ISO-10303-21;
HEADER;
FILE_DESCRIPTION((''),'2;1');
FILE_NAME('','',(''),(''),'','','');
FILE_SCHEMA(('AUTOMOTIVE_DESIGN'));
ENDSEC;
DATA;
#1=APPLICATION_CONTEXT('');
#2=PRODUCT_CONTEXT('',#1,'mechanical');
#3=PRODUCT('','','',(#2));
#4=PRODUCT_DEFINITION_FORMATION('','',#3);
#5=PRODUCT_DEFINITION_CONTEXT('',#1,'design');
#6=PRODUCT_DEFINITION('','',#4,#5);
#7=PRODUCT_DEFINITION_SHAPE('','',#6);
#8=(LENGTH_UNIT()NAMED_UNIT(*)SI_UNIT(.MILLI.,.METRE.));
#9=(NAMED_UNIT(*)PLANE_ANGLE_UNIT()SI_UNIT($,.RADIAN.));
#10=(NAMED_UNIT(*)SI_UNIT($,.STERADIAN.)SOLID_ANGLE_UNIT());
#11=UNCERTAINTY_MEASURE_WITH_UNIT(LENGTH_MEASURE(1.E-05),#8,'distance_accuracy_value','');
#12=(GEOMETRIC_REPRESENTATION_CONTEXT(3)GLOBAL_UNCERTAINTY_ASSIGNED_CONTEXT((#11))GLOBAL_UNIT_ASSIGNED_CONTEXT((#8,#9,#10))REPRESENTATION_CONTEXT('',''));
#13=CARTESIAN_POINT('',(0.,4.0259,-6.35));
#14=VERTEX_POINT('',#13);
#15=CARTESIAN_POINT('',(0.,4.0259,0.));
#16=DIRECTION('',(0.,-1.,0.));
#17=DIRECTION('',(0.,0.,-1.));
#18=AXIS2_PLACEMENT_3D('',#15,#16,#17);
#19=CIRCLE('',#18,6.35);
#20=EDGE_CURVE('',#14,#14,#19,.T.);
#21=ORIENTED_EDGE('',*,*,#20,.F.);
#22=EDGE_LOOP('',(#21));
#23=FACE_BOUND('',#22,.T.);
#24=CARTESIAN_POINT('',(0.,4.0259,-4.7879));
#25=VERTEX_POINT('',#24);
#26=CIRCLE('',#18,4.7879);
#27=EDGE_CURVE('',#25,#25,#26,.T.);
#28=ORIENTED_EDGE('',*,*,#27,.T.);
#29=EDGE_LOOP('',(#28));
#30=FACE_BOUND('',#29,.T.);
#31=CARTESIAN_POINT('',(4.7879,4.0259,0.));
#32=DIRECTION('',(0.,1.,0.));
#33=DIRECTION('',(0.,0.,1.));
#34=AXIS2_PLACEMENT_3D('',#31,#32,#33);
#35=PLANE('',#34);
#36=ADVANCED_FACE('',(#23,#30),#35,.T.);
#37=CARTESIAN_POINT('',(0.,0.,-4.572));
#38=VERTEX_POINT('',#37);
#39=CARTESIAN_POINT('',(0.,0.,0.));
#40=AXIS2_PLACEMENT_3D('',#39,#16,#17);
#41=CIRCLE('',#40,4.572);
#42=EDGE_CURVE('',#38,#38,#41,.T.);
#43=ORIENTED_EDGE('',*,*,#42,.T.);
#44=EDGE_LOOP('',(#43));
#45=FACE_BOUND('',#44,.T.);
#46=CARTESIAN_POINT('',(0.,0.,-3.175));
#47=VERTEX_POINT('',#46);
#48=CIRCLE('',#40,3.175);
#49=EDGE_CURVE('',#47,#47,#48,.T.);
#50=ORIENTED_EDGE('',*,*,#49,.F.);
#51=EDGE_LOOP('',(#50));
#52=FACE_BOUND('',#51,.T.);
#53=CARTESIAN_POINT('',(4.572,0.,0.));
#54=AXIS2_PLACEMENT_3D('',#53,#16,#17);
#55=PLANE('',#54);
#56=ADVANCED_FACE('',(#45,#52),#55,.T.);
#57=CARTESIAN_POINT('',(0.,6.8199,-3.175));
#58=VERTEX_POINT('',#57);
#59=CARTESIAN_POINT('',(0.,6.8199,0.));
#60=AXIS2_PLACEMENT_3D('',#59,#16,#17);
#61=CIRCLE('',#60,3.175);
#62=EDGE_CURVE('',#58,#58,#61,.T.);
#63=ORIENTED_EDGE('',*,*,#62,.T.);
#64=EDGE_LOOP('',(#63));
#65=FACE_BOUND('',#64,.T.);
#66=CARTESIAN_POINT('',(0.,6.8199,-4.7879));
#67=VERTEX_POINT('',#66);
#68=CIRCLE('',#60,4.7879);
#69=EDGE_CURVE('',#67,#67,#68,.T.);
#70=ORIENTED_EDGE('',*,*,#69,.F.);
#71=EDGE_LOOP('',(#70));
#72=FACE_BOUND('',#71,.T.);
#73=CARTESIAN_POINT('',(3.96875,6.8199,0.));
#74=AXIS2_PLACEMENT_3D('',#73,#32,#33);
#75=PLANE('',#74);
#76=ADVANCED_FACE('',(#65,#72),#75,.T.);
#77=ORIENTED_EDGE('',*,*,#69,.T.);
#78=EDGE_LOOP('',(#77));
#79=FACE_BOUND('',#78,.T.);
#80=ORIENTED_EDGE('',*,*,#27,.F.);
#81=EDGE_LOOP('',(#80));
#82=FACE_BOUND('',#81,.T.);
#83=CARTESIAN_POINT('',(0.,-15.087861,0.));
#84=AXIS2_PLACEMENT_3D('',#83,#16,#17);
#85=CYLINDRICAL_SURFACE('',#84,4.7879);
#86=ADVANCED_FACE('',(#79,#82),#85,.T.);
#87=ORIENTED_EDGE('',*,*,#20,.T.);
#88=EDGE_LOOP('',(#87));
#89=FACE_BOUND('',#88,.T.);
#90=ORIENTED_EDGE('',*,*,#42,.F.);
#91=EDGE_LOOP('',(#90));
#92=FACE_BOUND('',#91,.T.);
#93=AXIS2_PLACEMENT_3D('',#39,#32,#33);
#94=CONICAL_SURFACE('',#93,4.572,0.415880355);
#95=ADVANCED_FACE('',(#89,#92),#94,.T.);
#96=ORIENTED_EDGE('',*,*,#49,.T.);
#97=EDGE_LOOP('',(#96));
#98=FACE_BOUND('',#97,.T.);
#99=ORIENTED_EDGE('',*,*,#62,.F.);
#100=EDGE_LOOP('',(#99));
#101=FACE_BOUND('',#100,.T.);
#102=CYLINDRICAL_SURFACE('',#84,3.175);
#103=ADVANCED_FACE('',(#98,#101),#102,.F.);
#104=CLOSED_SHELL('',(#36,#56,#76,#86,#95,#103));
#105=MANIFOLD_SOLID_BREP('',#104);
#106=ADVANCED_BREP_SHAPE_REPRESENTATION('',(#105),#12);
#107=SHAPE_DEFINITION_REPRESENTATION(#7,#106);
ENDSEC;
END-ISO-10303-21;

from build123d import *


with BuildPart() as part:
    # Sketch1 → Revolve1 (revolve)
    with BuildSketch(Plane.XY):
        Polygon((3.175, 0), (3.175, 6.8199), (3.96875, 6.8199), (4.7879, 6.8199), (4.7879, 4.0259), (6.35, 4.0259), (4.572, 0), align=None)
    revolve(axis=Axis((0, -15.087860977, 0), (0, 1, 0)))


solid = part.part
